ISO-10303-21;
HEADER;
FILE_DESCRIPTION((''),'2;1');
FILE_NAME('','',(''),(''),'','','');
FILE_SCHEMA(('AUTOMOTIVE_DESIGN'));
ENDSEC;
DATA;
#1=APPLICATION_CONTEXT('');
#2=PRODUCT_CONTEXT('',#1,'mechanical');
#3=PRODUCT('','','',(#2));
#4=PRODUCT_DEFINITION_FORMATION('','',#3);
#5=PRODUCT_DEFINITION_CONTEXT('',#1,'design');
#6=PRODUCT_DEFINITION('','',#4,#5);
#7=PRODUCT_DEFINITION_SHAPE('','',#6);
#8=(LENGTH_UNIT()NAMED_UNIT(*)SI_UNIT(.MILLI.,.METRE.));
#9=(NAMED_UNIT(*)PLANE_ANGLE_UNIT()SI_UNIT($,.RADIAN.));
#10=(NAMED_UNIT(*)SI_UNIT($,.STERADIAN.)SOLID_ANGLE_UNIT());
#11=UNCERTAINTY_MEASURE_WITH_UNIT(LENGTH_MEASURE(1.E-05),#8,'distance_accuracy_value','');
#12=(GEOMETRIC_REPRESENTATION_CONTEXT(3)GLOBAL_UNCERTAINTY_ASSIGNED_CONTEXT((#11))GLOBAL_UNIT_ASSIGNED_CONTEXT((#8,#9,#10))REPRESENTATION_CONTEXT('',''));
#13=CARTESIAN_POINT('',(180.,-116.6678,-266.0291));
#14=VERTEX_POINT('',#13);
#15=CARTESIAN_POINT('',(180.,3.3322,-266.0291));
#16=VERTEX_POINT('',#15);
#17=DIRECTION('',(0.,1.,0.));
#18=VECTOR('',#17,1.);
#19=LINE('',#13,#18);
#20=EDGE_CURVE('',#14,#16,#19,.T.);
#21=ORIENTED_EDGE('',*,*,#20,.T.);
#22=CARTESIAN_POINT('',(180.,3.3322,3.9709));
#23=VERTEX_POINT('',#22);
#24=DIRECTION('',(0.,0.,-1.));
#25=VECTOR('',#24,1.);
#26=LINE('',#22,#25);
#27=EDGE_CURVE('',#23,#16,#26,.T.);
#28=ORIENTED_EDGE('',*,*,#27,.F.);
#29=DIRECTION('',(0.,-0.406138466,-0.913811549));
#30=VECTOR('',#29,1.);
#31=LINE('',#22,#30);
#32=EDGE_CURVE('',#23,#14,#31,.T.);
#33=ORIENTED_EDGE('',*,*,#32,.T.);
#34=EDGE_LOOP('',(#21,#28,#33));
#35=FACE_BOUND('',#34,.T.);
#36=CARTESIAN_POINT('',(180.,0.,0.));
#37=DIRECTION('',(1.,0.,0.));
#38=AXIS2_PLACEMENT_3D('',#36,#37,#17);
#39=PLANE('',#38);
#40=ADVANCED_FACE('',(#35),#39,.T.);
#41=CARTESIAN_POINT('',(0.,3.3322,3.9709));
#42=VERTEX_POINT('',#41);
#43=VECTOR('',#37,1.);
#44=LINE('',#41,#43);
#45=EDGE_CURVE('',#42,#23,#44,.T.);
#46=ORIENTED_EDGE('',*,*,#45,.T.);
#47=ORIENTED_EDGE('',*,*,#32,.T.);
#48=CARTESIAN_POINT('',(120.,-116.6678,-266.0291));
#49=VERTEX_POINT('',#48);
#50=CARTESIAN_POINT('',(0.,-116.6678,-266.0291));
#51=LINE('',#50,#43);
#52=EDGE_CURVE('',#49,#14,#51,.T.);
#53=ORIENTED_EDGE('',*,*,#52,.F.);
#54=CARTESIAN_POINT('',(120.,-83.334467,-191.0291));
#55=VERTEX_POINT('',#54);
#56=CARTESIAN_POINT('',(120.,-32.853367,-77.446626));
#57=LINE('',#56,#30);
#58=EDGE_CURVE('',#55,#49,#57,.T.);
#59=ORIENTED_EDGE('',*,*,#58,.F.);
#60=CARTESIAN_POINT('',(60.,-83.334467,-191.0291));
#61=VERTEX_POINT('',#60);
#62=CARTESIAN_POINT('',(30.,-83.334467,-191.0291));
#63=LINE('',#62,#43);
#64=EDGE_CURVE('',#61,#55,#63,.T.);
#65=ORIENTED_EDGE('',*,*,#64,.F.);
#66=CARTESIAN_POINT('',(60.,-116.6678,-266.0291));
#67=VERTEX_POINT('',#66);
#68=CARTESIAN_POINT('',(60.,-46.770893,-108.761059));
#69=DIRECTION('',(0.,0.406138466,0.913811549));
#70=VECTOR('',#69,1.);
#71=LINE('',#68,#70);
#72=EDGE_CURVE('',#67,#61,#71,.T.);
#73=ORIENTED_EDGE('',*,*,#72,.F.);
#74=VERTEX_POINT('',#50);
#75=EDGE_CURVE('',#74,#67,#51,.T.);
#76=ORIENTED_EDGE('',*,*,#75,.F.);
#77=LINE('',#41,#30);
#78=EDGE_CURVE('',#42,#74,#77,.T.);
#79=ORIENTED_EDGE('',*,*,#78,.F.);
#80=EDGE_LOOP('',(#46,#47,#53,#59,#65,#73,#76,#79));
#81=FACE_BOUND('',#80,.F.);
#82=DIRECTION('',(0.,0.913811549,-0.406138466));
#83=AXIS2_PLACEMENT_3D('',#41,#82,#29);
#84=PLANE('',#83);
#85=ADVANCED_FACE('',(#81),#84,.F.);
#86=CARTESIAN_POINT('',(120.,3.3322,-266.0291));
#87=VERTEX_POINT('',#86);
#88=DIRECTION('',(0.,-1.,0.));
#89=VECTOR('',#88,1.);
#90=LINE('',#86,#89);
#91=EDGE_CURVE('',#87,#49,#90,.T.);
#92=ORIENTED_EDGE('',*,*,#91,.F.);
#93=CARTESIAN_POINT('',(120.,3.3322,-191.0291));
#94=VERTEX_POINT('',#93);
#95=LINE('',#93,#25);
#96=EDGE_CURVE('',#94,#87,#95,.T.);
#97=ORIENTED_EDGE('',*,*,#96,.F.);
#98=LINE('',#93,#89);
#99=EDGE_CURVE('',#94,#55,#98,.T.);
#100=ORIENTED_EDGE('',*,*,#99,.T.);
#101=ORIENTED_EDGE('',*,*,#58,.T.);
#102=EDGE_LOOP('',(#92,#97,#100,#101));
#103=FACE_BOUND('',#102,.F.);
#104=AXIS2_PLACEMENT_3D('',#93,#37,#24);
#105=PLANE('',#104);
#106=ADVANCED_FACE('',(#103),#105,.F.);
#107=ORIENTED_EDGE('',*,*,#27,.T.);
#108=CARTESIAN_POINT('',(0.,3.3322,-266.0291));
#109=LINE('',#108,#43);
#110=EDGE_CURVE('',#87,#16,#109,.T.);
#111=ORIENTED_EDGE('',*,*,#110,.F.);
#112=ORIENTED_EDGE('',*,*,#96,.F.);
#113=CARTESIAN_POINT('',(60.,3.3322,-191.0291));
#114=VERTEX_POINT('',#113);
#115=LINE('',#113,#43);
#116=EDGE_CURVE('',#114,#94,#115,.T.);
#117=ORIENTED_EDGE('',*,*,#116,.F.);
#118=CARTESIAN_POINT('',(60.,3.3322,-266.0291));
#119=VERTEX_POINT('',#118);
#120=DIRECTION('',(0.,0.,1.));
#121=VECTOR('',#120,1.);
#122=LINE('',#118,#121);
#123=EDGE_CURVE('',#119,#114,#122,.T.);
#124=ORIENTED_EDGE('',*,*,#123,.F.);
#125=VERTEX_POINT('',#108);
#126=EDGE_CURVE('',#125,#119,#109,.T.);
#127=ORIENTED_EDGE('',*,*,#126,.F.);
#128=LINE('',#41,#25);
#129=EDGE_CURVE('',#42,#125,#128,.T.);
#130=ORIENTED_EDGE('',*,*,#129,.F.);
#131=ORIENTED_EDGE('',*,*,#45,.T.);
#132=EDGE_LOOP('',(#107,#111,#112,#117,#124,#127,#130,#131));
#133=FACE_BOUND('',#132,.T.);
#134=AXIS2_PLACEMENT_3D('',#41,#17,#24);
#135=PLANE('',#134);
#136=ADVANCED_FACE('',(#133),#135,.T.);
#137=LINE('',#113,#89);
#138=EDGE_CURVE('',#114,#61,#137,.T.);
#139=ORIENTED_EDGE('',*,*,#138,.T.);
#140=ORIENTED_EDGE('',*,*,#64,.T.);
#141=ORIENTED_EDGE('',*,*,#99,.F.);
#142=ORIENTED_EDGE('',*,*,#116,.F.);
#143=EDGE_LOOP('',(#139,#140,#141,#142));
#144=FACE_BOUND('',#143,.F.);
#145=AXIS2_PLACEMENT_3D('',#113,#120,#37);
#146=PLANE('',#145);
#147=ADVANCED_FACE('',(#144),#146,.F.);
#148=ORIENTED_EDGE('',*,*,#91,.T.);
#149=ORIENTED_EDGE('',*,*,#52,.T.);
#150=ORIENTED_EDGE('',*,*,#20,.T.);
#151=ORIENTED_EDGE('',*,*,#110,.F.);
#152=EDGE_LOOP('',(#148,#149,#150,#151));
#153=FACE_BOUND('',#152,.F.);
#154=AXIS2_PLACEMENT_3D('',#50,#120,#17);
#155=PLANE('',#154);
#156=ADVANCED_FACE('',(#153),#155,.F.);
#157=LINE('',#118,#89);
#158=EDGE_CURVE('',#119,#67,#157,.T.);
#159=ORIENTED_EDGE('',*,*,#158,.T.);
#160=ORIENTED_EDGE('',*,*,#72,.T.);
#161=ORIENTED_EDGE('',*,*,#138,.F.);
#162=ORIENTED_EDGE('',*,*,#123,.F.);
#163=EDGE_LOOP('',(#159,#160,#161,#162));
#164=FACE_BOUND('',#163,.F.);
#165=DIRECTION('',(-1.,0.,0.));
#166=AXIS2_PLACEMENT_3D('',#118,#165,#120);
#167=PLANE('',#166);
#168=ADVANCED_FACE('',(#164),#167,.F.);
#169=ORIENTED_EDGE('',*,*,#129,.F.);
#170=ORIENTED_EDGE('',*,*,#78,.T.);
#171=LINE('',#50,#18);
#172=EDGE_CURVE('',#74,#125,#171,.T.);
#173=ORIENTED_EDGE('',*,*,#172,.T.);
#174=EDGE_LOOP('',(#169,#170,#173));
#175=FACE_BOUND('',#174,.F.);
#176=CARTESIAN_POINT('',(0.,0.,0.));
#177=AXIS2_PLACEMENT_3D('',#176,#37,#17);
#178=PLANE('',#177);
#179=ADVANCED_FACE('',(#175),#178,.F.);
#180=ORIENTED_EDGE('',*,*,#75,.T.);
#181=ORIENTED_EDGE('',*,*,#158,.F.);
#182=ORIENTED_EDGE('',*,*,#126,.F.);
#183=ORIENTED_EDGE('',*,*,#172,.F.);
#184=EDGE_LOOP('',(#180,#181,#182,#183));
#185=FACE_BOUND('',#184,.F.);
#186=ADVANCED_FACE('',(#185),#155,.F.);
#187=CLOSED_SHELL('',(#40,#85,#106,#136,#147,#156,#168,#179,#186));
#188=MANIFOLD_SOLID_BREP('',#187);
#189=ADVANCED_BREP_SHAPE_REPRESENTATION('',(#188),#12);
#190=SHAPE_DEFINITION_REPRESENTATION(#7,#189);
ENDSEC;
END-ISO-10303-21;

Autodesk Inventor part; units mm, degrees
ref_plane "YZ Plane" through (0, 0, 0) normal (1, 0, 0) x (0, 1, 0)
ref_plane "XZ Plane" through (0, 0, 0) normal (0, 1, 0) x (-1, 0, 0)
ref_plane "XY Plane" through (0, 0, 0) normal (0, 0, 1) x (1, 0, 0)
sketch "Sketch1" plane through (0, 0, 0) normal (0, 0, 1) x (1, 0, 0)
  point P0 (0, 0)
sketch "Sketch2" plane through (0, 0, 0) normal (1, 0, 0) x (0, 1, 0)
  line L0 (3.3322, 3.9709) -> (123.3322, 3.9709) construction
  line L1 (3.3322, 3.9709) -> (3.3322, -266.0291)
  line L2 (-116.6678, -266.0291) -> (3.3322, -266.0291)
  line L3 (3.3322, 3.9709) -> (-116.6678, -266.0291)
  point P0 (0, 0)
  dimension "d6" = 270
extrude "Extrusion1" add sketch "Sketch2" along normal blind 180
sketch "Sketch3" plane through (0, 3.3322, 3.9709) normal (0, 1, 0) x (1, 0, 0)
  line L0 (0, 0) -> (0, 270) projected
  line L1 (0, 270) -> (60, 270)
  line L2 (0, 270) -> (180, 270) projected
  line L3 (60, 270) -> (120, 270)
  line L4 (120, 270) -> (180, 270)
  line L5 (60, 270) -> (60, 195)
  line L6 (60, 195) -> (120, 195)
  line L7 (120, 195) -> (120, 270)
  point P0 (0, 3.9709)
  dimension "d7" = 60
  dimension "d8" = 60
  dimension "d9" = 75
extrude "Extrusion2" cut sketch "Sketch3" against normal blind 191.475
properties part number "Tapered"
